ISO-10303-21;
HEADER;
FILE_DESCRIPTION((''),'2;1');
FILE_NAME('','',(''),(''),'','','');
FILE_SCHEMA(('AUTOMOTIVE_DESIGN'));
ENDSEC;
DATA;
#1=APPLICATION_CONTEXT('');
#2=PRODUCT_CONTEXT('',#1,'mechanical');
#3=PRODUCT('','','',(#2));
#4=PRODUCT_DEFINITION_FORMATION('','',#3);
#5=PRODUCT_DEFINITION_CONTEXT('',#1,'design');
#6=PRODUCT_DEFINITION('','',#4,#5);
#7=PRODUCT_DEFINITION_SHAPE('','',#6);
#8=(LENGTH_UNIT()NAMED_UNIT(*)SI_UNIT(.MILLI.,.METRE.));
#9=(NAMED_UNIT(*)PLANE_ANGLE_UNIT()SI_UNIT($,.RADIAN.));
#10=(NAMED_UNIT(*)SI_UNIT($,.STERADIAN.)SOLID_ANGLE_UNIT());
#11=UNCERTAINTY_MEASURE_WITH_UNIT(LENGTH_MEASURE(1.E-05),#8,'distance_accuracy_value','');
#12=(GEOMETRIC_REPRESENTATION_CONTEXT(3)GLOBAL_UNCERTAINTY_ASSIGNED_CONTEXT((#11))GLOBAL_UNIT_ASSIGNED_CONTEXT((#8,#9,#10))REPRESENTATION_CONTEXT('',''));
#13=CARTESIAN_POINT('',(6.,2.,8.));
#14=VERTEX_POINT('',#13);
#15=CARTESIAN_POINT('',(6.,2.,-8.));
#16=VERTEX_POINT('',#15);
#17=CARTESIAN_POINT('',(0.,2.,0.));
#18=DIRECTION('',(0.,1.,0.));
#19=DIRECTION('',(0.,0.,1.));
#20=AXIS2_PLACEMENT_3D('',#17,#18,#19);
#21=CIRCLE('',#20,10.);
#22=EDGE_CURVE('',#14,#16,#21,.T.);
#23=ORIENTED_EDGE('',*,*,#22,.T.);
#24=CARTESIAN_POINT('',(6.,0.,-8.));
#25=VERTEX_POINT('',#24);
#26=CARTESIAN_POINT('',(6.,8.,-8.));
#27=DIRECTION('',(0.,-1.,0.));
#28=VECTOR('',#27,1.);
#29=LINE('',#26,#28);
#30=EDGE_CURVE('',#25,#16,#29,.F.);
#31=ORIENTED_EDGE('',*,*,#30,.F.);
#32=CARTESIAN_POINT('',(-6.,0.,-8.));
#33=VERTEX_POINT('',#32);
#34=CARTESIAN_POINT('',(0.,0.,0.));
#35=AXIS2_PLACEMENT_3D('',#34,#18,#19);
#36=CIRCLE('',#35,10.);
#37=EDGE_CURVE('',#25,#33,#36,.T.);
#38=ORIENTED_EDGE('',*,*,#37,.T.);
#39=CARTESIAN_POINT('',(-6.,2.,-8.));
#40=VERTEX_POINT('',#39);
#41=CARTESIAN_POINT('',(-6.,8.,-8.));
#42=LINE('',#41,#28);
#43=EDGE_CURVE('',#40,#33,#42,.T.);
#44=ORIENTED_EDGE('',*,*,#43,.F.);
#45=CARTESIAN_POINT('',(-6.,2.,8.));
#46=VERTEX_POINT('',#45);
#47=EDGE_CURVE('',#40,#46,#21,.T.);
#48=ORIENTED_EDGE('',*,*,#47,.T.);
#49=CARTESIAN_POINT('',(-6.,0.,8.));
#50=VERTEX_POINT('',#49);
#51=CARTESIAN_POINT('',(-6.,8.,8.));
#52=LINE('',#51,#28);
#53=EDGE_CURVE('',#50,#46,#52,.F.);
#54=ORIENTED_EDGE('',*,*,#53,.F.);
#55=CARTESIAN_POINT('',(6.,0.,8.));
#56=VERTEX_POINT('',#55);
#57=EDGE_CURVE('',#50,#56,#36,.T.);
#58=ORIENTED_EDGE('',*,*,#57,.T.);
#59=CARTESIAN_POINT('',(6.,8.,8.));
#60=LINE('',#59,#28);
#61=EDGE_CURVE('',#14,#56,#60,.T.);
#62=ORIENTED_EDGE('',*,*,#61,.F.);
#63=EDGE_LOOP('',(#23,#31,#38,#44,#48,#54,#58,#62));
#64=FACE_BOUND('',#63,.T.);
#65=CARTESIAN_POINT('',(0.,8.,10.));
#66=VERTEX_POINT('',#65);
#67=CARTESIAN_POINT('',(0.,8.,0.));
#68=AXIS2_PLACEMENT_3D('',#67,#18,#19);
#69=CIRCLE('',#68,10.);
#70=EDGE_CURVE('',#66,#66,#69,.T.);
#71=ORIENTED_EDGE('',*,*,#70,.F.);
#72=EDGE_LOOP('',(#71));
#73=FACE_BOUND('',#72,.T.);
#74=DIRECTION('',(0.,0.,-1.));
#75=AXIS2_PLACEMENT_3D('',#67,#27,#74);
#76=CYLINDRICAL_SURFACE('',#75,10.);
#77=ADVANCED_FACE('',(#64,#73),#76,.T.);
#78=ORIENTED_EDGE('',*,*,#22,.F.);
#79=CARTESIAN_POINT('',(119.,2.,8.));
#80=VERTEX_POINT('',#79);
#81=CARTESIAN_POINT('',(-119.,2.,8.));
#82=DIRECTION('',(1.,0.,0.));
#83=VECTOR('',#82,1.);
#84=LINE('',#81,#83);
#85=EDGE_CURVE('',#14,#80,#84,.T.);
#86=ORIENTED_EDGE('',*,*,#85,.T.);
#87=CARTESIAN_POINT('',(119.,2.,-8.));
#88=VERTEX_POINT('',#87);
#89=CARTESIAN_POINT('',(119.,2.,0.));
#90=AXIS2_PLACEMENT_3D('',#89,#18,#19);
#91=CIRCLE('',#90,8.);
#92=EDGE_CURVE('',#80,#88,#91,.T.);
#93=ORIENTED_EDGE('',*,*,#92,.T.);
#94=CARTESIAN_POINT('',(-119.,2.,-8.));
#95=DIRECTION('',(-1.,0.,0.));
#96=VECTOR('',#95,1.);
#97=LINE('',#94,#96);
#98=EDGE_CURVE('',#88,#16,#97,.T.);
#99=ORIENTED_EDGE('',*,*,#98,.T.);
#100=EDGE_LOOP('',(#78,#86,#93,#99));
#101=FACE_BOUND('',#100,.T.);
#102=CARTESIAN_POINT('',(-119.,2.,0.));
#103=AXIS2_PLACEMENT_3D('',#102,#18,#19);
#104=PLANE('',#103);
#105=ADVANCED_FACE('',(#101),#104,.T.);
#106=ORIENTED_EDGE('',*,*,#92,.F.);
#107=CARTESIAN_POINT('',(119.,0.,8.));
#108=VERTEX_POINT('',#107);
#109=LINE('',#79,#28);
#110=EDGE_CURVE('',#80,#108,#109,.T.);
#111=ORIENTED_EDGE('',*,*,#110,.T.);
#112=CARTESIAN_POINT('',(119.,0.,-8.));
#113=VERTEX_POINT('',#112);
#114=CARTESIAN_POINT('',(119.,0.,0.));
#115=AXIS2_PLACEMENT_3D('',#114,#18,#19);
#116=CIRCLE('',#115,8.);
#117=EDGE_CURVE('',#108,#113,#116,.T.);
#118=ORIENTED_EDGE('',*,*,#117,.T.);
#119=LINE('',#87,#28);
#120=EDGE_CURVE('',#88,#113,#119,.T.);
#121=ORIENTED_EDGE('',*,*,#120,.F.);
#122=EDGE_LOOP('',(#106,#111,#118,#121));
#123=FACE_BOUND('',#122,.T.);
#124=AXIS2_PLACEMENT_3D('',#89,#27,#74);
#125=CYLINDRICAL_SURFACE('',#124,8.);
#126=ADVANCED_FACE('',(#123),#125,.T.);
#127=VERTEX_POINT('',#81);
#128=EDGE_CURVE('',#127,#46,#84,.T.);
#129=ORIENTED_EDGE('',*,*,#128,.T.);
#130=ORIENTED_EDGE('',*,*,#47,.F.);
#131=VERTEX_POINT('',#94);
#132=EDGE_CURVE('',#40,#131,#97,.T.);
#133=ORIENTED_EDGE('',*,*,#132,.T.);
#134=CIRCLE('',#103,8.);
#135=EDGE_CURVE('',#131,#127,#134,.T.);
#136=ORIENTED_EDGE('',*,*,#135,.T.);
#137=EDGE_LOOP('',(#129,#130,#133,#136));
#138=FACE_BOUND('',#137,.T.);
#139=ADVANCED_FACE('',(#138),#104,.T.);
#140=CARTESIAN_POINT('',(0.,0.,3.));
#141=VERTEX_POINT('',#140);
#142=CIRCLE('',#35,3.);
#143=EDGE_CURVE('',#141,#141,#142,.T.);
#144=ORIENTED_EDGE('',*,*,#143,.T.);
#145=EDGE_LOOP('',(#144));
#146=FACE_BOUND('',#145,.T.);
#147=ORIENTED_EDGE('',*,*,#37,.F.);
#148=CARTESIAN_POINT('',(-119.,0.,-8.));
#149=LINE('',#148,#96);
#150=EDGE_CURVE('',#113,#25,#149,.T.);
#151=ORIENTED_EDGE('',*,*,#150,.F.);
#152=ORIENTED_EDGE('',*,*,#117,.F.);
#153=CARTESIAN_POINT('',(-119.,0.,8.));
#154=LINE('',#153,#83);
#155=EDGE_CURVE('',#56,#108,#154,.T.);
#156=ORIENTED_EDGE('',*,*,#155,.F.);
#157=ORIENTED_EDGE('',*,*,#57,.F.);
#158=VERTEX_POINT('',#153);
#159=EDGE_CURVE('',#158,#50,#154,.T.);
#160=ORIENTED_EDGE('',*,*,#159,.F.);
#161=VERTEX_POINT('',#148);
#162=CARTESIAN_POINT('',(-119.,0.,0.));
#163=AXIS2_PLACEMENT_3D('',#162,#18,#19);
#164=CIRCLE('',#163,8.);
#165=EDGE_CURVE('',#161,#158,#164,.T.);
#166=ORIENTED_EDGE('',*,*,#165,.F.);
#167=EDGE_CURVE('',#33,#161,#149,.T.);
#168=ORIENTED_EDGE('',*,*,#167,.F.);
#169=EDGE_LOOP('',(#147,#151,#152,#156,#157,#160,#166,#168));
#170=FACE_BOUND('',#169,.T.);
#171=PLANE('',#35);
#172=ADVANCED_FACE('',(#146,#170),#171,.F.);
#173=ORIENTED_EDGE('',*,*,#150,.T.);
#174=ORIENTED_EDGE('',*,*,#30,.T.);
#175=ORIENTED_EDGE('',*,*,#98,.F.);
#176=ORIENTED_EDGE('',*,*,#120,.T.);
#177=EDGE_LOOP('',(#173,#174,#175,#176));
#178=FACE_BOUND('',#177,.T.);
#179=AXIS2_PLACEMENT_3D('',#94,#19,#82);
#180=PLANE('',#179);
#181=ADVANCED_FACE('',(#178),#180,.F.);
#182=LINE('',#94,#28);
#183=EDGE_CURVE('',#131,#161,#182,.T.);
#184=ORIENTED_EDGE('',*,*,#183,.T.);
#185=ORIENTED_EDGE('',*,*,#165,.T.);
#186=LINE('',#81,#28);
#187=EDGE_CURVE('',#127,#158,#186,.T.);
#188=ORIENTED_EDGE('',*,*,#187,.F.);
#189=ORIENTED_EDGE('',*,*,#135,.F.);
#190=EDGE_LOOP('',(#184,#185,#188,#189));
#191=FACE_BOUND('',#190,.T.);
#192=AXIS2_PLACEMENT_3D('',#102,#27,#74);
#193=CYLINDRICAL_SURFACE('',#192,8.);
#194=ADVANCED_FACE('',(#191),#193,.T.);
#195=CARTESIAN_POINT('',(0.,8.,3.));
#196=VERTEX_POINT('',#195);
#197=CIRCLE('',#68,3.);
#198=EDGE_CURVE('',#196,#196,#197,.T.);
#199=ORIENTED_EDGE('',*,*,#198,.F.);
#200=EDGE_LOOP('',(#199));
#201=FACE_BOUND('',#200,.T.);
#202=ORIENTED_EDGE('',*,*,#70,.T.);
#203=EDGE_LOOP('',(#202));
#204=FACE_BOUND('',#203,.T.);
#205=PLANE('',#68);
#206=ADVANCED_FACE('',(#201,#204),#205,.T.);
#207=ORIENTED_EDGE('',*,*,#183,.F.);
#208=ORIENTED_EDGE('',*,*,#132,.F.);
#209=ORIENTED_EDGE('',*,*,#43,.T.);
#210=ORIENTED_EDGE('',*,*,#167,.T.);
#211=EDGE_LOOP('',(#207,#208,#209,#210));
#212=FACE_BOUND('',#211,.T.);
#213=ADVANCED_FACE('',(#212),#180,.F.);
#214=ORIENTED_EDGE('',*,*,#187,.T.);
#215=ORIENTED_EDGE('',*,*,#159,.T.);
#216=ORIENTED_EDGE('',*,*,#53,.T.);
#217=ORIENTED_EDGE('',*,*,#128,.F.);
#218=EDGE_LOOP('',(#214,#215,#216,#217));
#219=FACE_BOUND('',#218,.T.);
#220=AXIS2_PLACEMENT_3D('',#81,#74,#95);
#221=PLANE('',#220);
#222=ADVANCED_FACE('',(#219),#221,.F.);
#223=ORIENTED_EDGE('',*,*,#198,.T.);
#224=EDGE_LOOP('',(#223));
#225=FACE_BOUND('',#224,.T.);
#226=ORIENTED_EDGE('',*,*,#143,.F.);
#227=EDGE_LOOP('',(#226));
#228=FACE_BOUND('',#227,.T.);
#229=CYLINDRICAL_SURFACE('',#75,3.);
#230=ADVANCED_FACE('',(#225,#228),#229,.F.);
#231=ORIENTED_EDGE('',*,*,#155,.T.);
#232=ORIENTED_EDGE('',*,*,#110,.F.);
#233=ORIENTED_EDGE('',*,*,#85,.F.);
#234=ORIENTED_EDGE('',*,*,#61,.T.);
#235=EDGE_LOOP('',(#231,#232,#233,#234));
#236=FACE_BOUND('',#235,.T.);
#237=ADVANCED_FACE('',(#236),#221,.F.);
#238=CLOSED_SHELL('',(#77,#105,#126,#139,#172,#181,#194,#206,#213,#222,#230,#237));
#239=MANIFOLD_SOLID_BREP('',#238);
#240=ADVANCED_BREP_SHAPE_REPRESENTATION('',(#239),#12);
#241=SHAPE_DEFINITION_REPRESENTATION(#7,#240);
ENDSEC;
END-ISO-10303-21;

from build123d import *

# Parameters (mm, degrees)
SKETCH1_R           = 10
BOSS_EXTRUDE1_DEPTH = 8
BOSS_EXTRUDE3_DEPTH = 2
SKETCH6_R           = 3
CUT_EXTRUDE1_DEPTH  = 128.644036288


with BuildPart() as part:
    # Sketch1 → Boss-Extrude1 (new body)
    with BuildSketch(Plane(origin=(0, 0, 0), x_dir=(1, 0, 0), z_dir=(0, 1, 0))):
        Circle(SKETCH1_R)
    extrude(amount=BOSS_EXTRUDE1_DEPTH)

    # Sketch5 → Boss-Extrude3 (add)
    with BuildSketch(Plane(origin=(0, 0, 0), x_dir=(1, 0, 0), z_dir=(0, 1, 0))):
        with BuildLine():
            Line((-119, 8), (119, 8))
            ThreePointArc((119, 8), (127, 0), (119, -8))
            Line((119, -8), (-119, -8))
            ThreePointArc((-119, -8), (-127, 0), (-119, 8))
        make_face()
    extrude(amount=BOSS_EXTRUDE3_DEPTH)

    # Sketch6 → Cut-Extrude1 (cut, through all)
    with BuildSketch(Plane(origin=(0, 0, 0), x_dir=(1, 0, 0), z_dir=(0, 1, 0))):
        Circle(SKETCH6_R)
    extrude(amount=CUT_EXTRUDE1_DEPTH, mode=Mode.SUBTRACT)


solid = part.part
